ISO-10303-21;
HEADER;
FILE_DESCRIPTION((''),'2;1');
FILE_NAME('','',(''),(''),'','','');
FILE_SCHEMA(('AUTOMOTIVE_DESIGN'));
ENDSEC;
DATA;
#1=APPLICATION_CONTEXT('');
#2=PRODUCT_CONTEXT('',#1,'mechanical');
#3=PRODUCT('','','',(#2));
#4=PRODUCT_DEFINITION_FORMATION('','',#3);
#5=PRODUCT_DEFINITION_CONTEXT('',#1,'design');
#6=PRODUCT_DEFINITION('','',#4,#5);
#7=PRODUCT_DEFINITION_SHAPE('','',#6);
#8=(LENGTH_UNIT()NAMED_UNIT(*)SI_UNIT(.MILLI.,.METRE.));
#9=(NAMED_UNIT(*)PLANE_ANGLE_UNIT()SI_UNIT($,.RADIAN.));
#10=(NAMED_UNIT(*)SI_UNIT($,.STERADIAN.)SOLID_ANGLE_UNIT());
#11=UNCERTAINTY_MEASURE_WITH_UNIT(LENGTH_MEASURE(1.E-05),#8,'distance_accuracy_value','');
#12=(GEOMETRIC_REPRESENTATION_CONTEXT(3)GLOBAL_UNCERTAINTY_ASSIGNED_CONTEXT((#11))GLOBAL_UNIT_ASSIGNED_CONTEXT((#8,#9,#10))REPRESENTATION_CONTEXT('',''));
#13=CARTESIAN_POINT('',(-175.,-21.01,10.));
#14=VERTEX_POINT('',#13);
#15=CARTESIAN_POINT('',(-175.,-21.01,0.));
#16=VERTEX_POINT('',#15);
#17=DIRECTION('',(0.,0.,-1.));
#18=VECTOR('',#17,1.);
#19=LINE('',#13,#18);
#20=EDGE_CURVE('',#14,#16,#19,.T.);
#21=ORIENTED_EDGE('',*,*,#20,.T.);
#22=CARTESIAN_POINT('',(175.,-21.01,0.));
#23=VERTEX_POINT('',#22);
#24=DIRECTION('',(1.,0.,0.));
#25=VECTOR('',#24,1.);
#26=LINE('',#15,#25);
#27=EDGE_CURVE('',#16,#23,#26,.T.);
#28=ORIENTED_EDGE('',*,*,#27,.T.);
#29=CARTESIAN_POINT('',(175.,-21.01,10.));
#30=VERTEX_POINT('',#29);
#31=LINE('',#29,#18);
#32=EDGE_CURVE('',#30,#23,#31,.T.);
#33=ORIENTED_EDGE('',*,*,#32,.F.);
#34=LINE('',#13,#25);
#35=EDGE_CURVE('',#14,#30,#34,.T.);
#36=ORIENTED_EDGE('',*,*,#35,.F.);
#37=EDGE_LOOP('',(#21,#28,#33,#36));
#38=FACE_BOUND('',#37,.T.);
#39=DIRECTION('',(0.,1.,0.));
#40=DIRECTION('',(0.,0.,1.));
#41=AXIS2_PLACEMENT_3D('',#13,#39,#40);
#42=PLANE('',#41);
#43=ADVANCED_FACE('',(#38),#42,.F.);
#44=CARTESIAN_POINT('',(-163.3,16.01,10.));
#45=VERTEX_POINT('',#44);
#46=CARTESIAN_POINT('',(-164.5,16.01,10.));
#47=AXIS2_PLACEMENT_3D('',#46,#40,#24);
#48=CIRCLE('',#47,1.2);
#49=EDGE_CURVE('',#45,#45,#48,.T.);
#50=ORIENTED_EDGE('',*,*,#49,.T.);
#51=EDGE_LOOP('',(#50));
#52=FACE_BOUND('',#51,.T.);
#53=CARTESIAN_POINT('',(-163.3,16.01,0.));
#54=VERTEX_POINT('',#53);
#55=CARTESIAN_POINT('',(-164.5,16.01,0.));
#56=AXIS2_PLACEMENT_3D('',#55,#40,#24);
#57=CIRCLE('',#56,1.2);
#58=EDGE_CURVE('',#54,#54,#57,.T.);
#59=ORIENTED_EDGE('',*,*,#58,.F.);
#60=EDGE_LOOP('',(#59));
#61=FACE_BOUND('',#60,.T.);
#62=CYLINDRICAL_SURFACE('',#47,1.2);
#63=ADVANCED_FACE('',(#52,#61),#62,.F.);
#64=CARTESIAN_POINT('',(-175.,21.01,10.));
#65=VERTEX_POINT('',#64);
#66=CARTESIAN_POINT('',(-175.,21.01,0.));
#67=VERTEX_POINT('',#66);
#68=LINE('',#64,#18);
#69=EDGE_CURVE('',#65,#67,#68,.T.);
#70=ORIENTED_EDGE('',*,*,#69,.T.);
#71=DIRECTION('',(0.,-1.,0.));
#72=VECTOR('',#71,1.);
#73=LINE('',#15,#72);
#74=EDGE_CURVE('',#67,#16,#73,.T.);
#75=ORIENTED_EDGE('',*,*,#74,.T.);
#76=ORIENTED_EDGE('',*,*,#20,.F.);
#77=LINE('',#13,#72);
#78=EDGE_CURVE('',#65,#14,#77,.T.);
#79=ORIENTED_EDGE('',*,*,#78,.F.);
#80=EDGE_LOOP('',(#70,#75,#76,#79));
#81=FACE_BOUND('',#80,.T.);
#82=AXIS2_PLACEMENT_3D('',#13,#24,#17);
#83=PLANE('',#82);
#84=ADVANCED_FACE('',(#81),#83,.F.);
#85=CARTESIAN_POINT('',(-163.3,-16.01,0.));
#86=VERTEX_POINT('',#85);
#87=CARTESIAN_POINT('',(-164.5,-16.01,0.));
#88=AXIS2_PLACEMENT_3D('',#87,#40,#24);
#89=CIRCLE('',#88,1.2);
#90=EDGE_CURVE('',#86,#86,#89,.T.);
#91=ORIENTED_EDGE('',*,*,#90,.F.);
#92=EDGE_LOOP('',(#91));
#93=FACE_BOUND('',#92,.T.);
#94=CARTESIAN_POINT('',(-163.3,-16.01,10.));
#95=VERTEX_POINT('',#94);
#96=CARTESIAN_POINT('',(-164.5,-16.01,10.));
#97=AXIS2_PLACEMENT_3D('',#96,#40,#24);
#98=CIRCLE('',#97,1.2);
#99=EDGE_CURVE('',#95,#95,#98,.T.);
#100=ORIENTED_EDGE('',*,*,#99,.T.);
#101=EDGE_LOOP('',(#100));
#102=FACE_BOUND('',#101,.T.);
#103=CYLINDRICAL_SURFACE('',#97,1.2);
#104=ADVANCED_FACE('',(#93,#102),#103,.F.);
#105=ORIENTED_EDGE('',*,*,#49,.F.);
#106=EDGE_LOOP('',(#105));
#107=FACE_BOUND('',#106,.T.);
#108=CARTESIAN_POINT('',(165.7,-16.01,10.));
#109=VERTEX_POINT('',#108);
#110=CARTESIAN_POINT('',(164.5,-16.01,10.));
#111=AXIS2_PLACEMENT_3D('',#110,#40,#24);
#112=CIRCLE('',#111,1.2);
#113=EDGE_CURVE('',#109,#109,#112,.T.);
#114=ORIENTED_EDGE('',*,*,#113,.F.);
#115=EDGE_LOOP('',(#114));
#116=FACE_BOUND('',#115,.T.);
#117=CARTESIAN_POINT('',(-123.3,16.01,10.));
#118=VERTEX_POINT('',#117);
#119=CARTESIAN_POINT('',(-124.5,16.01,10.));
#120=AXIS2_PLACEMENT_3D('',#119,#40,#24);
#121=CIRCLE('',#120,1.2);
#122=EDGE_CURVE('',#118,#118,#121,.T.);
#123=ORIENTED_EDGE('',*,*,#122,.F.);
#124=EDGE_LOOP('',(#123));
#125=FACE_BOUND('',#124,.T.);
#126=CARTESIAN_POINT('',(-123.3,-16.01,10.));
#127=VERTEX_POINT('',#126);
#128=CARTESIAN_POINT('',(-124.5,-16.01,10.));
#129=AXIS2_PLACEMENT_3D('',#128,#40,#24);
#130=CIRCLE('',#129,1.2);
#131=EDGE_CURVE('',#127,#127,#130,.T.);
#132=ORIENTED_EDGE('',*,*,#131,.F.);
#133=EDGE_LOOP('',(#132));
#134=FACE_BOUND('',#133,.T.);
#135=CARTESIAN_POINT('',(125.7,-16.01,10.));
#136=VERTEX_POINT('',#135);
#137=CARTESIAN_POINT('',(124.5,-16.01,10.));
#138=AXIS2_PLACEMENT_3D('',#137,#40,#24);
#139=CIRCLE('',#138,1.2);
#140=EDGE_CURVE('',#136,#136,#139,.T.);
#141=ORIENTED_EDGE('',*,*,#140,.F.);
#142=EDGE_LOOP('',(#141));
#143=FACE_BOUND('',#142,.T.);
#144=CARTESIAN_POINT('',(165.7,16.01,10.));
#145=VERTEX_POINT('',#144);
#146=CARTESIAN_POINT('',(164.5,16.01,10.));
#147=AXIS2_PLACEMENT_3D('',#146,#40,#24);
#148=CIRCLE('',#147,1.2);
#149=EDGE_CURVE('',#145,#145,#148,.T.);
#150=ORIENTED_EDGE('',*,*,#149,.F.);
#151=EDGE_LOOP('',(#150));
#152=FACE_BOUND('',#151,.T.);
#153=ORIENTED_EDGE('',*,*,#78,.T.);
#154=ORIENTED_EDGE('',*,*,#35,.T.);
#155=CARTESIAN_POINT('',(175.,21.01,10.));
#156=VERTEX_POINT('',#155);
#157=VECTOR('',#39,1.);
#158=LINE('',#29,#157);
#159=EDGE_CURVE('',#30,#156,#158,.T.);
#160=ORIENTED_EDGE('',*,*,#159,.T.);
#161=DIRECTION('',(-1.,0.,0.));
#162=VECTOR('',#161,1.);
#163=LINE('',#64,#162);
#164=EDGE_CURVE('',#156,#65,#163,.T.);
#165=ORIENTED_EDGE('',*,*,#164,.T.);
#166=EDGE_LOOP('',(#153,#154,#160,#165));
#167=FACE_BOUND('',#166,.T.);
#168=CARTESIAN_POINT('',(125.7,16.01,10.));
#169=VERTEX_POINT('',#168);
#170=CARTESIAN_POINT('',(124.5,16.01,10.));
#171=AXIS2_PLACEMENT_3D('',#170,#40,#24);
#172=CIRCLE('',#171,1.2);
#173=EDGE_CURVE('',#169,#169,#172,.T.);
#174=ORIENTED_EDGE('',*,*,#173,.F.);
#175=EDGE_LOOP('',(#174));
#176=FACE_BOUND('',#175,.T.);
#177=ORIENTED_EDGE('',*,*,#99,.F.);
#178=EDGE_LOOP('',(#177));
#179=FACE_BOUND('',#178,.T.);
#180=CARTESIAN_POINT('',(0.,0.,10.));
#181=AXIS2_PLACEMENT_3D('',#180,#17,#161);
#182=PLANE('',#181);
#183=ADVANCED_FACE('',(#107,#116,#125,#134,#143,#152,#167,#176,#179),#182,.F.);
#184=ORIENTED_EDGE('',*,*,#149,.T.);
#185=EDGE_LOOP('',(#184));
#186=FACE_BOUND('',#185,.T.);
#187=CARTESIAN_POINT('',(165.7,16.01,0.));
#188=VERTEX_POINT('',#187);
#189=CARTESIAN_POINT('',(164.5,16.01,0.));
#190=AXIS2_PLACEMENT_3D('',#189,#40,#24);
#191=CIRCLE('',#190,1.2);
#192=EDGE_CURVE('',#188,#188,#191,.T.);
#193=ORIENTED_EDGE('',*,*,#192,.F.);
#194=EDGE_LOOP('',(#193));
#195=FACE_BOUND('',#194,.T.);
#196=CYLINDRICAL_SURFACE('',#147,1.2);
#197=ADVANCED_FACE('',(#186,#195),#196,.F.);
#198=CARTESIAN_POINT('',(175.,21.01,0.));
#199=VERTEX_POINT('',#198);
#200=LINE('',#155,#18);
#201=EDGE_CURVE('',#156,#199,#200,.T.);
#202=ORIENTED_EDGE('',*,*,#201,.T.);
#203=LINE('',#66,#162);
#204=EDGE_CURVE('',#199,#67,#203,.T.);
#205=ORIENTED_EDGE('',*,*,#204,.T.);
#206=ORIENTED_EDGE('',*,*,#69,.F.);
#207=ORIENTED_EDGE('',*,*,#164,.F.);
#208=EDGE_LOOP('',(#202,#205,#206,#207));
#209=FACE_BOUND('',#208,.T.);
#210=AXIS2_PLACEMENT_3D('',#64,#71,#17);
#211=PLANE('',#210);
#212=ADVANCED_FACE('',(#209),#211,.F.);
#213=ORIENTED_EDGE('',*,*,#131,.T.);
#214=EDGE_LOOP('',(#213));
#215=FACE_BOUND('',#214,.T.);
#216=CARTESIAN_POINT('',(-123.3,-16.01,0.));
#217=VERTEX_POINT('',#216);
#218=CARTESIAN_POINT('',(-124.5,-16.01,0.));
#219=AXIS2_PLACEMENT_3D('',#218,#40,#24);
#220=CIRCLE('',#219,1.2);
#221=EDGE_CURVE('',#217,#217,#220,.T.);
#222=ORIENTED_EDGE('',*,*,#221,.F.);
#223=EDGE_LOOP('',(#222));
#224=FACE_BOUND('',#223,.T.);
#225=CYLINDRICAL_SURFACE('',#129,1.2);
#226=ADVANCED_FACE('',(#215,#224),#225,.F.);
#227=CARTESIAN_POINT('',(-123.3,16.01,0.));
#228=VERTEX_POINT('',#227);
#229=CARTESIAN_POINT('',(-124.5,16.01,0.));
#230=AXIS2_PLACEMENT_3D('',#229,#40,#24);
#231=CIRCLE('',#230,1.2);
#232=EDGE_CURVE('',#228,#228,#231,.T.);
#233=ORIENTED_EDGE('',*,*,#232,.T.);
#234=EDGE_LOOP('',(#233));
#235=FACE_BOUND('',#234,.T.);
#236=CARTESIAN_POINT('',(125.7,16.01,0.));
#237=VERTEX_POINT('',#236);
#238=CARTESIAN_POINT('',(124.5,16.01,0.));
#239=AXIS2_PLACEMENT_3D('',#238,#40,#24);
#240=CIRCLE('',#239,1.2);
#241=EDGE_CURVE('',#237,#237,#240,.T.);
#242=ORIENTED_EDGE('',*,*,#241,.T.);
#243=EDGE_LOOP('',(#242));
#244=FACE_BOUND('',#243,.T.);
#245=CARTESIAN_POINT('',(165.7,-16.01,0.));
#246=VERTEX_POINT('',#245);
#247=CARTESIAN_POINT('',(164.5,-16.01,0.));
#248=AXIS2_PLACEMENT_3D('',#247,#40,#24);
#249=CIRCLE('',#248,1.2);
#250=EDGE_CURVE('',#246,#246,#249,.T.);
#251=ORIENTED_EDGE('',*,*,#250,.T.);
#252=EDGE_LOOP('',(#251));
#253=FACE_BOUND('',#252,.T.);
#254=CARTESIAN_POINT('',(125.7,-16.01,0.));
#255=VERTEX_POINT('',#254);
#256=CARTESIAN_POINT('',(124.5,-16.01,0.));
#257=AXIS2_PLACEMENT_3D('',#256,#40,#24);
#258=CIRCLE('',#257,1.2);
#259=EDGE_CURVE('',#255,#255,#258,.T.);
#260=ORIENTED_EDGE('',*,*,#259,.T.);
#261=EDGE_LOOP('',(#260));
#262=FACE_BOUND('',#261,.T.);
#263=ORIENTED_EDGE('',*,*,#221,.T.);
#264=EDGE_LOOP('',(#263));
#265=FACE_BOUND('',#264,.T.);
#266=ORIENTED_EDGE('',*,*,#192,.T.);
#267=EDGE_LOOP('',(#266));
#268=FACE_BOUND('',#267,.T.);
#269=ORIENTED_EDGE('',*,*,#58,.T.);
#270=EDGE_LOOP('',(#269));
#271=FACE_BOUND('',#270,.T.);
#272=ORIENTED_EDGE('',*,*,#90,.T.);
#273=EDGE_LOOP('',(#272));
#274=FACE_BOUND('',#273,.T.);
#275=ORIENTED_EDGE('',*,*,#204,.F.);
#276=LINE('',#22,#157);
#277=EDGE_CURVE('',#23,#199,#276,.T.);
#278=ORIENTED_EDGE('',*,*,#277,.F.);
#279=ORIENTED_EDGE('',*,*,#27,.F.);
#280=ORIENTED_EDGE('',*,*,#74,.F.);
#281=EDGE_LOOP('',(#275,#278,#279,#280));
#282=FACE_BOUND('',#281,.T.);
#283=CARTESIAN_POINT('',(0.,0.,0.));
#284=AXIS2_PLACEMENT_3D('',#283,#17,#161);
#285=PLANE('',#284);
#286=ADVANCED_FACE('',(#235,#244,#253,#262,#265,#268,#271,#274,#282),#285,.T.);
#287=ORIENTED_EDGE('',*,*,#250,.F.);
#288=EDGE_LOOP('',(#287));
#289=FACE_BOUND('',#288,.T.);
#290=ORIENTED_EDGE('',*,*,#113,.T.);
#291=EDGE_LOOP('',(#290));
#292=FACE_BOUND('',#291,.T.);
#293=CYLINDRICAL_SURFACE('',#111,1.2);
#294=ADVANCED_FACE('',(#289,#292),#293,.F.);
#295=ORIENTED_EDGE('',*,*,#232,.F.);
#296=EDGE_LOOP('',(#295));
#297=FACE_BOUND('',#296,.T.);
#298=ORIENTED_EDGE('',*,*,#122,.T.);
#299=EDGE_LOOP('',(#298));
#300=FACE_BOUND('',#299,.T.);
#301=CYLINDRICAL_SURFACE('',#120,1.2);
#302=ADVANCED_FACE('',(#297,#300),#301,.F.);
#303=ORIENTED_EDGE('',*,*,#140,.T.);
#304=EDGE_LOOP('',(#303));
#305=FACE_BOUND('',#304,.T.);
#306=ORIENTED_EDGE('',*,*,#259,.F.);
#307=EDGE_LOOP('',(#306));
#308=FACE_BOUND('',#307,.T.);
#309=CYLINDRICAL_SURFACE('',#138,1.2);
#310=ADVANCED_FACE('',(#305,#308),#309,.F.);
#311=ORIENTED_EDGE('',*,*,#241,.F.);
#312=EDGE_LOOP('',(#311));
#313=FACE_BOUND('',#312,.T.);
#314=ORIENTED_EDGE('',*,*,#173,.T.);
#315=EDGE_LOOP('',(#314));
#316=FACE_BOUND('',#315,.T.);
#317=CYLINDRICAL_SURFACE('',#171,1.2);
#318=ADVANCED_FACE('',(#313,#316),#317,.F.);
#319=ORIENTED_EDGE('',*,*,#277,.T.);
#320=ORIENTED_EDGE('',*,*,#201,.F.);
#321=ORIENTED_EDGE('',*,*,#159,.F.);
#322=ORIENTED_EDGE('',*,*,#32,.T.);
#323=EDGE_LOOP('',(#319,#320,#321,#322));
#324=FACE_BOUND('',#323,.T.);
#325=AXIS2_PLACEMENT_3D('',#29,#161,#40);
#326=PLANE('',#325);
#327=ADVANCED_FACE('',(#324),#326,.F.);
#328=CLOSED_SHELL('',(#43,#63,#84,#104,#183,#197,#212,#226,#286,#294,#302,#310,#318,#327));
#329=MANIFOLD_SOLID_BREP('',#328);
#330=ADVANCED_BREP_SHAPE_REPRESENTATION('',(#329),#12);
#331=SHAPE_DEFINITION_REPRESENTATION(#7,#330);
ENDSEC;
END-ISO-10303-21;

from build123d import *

# Parameters (mm, degrees)
SKETCH1_W            = 350
SKETCH1_H            = 42.02
BOSS_EXTRUDE1_DEPTH  = 10
M2_CLEARANCE_HOLE1_D = 2.4


with BuildPart() as part:
    # Sketch1 → Boss-Extrude1 (new body)
    with BuildSketch(Plane.XY):
        Rectangle(SKETCH1_W, SKETCH1_H)
    extrude(amount=BOSS_EXTRUDE1_DEPTH)

    # M2 Clearance Hole1 (through all)
    with Locations(Plane.XY.offset(10)):
        with Locations((-164.5, 16.01), (-124.5, 16.01), (-124.5, -16.01), (-164.5, -16.01), (164.5, -16.01), (124.5, -16.01), (124.5, 16.01), (164.5, 16.01)):
            Hole(M2_CLEARANCE_HOLE1_D / 2)


solid = part.part
